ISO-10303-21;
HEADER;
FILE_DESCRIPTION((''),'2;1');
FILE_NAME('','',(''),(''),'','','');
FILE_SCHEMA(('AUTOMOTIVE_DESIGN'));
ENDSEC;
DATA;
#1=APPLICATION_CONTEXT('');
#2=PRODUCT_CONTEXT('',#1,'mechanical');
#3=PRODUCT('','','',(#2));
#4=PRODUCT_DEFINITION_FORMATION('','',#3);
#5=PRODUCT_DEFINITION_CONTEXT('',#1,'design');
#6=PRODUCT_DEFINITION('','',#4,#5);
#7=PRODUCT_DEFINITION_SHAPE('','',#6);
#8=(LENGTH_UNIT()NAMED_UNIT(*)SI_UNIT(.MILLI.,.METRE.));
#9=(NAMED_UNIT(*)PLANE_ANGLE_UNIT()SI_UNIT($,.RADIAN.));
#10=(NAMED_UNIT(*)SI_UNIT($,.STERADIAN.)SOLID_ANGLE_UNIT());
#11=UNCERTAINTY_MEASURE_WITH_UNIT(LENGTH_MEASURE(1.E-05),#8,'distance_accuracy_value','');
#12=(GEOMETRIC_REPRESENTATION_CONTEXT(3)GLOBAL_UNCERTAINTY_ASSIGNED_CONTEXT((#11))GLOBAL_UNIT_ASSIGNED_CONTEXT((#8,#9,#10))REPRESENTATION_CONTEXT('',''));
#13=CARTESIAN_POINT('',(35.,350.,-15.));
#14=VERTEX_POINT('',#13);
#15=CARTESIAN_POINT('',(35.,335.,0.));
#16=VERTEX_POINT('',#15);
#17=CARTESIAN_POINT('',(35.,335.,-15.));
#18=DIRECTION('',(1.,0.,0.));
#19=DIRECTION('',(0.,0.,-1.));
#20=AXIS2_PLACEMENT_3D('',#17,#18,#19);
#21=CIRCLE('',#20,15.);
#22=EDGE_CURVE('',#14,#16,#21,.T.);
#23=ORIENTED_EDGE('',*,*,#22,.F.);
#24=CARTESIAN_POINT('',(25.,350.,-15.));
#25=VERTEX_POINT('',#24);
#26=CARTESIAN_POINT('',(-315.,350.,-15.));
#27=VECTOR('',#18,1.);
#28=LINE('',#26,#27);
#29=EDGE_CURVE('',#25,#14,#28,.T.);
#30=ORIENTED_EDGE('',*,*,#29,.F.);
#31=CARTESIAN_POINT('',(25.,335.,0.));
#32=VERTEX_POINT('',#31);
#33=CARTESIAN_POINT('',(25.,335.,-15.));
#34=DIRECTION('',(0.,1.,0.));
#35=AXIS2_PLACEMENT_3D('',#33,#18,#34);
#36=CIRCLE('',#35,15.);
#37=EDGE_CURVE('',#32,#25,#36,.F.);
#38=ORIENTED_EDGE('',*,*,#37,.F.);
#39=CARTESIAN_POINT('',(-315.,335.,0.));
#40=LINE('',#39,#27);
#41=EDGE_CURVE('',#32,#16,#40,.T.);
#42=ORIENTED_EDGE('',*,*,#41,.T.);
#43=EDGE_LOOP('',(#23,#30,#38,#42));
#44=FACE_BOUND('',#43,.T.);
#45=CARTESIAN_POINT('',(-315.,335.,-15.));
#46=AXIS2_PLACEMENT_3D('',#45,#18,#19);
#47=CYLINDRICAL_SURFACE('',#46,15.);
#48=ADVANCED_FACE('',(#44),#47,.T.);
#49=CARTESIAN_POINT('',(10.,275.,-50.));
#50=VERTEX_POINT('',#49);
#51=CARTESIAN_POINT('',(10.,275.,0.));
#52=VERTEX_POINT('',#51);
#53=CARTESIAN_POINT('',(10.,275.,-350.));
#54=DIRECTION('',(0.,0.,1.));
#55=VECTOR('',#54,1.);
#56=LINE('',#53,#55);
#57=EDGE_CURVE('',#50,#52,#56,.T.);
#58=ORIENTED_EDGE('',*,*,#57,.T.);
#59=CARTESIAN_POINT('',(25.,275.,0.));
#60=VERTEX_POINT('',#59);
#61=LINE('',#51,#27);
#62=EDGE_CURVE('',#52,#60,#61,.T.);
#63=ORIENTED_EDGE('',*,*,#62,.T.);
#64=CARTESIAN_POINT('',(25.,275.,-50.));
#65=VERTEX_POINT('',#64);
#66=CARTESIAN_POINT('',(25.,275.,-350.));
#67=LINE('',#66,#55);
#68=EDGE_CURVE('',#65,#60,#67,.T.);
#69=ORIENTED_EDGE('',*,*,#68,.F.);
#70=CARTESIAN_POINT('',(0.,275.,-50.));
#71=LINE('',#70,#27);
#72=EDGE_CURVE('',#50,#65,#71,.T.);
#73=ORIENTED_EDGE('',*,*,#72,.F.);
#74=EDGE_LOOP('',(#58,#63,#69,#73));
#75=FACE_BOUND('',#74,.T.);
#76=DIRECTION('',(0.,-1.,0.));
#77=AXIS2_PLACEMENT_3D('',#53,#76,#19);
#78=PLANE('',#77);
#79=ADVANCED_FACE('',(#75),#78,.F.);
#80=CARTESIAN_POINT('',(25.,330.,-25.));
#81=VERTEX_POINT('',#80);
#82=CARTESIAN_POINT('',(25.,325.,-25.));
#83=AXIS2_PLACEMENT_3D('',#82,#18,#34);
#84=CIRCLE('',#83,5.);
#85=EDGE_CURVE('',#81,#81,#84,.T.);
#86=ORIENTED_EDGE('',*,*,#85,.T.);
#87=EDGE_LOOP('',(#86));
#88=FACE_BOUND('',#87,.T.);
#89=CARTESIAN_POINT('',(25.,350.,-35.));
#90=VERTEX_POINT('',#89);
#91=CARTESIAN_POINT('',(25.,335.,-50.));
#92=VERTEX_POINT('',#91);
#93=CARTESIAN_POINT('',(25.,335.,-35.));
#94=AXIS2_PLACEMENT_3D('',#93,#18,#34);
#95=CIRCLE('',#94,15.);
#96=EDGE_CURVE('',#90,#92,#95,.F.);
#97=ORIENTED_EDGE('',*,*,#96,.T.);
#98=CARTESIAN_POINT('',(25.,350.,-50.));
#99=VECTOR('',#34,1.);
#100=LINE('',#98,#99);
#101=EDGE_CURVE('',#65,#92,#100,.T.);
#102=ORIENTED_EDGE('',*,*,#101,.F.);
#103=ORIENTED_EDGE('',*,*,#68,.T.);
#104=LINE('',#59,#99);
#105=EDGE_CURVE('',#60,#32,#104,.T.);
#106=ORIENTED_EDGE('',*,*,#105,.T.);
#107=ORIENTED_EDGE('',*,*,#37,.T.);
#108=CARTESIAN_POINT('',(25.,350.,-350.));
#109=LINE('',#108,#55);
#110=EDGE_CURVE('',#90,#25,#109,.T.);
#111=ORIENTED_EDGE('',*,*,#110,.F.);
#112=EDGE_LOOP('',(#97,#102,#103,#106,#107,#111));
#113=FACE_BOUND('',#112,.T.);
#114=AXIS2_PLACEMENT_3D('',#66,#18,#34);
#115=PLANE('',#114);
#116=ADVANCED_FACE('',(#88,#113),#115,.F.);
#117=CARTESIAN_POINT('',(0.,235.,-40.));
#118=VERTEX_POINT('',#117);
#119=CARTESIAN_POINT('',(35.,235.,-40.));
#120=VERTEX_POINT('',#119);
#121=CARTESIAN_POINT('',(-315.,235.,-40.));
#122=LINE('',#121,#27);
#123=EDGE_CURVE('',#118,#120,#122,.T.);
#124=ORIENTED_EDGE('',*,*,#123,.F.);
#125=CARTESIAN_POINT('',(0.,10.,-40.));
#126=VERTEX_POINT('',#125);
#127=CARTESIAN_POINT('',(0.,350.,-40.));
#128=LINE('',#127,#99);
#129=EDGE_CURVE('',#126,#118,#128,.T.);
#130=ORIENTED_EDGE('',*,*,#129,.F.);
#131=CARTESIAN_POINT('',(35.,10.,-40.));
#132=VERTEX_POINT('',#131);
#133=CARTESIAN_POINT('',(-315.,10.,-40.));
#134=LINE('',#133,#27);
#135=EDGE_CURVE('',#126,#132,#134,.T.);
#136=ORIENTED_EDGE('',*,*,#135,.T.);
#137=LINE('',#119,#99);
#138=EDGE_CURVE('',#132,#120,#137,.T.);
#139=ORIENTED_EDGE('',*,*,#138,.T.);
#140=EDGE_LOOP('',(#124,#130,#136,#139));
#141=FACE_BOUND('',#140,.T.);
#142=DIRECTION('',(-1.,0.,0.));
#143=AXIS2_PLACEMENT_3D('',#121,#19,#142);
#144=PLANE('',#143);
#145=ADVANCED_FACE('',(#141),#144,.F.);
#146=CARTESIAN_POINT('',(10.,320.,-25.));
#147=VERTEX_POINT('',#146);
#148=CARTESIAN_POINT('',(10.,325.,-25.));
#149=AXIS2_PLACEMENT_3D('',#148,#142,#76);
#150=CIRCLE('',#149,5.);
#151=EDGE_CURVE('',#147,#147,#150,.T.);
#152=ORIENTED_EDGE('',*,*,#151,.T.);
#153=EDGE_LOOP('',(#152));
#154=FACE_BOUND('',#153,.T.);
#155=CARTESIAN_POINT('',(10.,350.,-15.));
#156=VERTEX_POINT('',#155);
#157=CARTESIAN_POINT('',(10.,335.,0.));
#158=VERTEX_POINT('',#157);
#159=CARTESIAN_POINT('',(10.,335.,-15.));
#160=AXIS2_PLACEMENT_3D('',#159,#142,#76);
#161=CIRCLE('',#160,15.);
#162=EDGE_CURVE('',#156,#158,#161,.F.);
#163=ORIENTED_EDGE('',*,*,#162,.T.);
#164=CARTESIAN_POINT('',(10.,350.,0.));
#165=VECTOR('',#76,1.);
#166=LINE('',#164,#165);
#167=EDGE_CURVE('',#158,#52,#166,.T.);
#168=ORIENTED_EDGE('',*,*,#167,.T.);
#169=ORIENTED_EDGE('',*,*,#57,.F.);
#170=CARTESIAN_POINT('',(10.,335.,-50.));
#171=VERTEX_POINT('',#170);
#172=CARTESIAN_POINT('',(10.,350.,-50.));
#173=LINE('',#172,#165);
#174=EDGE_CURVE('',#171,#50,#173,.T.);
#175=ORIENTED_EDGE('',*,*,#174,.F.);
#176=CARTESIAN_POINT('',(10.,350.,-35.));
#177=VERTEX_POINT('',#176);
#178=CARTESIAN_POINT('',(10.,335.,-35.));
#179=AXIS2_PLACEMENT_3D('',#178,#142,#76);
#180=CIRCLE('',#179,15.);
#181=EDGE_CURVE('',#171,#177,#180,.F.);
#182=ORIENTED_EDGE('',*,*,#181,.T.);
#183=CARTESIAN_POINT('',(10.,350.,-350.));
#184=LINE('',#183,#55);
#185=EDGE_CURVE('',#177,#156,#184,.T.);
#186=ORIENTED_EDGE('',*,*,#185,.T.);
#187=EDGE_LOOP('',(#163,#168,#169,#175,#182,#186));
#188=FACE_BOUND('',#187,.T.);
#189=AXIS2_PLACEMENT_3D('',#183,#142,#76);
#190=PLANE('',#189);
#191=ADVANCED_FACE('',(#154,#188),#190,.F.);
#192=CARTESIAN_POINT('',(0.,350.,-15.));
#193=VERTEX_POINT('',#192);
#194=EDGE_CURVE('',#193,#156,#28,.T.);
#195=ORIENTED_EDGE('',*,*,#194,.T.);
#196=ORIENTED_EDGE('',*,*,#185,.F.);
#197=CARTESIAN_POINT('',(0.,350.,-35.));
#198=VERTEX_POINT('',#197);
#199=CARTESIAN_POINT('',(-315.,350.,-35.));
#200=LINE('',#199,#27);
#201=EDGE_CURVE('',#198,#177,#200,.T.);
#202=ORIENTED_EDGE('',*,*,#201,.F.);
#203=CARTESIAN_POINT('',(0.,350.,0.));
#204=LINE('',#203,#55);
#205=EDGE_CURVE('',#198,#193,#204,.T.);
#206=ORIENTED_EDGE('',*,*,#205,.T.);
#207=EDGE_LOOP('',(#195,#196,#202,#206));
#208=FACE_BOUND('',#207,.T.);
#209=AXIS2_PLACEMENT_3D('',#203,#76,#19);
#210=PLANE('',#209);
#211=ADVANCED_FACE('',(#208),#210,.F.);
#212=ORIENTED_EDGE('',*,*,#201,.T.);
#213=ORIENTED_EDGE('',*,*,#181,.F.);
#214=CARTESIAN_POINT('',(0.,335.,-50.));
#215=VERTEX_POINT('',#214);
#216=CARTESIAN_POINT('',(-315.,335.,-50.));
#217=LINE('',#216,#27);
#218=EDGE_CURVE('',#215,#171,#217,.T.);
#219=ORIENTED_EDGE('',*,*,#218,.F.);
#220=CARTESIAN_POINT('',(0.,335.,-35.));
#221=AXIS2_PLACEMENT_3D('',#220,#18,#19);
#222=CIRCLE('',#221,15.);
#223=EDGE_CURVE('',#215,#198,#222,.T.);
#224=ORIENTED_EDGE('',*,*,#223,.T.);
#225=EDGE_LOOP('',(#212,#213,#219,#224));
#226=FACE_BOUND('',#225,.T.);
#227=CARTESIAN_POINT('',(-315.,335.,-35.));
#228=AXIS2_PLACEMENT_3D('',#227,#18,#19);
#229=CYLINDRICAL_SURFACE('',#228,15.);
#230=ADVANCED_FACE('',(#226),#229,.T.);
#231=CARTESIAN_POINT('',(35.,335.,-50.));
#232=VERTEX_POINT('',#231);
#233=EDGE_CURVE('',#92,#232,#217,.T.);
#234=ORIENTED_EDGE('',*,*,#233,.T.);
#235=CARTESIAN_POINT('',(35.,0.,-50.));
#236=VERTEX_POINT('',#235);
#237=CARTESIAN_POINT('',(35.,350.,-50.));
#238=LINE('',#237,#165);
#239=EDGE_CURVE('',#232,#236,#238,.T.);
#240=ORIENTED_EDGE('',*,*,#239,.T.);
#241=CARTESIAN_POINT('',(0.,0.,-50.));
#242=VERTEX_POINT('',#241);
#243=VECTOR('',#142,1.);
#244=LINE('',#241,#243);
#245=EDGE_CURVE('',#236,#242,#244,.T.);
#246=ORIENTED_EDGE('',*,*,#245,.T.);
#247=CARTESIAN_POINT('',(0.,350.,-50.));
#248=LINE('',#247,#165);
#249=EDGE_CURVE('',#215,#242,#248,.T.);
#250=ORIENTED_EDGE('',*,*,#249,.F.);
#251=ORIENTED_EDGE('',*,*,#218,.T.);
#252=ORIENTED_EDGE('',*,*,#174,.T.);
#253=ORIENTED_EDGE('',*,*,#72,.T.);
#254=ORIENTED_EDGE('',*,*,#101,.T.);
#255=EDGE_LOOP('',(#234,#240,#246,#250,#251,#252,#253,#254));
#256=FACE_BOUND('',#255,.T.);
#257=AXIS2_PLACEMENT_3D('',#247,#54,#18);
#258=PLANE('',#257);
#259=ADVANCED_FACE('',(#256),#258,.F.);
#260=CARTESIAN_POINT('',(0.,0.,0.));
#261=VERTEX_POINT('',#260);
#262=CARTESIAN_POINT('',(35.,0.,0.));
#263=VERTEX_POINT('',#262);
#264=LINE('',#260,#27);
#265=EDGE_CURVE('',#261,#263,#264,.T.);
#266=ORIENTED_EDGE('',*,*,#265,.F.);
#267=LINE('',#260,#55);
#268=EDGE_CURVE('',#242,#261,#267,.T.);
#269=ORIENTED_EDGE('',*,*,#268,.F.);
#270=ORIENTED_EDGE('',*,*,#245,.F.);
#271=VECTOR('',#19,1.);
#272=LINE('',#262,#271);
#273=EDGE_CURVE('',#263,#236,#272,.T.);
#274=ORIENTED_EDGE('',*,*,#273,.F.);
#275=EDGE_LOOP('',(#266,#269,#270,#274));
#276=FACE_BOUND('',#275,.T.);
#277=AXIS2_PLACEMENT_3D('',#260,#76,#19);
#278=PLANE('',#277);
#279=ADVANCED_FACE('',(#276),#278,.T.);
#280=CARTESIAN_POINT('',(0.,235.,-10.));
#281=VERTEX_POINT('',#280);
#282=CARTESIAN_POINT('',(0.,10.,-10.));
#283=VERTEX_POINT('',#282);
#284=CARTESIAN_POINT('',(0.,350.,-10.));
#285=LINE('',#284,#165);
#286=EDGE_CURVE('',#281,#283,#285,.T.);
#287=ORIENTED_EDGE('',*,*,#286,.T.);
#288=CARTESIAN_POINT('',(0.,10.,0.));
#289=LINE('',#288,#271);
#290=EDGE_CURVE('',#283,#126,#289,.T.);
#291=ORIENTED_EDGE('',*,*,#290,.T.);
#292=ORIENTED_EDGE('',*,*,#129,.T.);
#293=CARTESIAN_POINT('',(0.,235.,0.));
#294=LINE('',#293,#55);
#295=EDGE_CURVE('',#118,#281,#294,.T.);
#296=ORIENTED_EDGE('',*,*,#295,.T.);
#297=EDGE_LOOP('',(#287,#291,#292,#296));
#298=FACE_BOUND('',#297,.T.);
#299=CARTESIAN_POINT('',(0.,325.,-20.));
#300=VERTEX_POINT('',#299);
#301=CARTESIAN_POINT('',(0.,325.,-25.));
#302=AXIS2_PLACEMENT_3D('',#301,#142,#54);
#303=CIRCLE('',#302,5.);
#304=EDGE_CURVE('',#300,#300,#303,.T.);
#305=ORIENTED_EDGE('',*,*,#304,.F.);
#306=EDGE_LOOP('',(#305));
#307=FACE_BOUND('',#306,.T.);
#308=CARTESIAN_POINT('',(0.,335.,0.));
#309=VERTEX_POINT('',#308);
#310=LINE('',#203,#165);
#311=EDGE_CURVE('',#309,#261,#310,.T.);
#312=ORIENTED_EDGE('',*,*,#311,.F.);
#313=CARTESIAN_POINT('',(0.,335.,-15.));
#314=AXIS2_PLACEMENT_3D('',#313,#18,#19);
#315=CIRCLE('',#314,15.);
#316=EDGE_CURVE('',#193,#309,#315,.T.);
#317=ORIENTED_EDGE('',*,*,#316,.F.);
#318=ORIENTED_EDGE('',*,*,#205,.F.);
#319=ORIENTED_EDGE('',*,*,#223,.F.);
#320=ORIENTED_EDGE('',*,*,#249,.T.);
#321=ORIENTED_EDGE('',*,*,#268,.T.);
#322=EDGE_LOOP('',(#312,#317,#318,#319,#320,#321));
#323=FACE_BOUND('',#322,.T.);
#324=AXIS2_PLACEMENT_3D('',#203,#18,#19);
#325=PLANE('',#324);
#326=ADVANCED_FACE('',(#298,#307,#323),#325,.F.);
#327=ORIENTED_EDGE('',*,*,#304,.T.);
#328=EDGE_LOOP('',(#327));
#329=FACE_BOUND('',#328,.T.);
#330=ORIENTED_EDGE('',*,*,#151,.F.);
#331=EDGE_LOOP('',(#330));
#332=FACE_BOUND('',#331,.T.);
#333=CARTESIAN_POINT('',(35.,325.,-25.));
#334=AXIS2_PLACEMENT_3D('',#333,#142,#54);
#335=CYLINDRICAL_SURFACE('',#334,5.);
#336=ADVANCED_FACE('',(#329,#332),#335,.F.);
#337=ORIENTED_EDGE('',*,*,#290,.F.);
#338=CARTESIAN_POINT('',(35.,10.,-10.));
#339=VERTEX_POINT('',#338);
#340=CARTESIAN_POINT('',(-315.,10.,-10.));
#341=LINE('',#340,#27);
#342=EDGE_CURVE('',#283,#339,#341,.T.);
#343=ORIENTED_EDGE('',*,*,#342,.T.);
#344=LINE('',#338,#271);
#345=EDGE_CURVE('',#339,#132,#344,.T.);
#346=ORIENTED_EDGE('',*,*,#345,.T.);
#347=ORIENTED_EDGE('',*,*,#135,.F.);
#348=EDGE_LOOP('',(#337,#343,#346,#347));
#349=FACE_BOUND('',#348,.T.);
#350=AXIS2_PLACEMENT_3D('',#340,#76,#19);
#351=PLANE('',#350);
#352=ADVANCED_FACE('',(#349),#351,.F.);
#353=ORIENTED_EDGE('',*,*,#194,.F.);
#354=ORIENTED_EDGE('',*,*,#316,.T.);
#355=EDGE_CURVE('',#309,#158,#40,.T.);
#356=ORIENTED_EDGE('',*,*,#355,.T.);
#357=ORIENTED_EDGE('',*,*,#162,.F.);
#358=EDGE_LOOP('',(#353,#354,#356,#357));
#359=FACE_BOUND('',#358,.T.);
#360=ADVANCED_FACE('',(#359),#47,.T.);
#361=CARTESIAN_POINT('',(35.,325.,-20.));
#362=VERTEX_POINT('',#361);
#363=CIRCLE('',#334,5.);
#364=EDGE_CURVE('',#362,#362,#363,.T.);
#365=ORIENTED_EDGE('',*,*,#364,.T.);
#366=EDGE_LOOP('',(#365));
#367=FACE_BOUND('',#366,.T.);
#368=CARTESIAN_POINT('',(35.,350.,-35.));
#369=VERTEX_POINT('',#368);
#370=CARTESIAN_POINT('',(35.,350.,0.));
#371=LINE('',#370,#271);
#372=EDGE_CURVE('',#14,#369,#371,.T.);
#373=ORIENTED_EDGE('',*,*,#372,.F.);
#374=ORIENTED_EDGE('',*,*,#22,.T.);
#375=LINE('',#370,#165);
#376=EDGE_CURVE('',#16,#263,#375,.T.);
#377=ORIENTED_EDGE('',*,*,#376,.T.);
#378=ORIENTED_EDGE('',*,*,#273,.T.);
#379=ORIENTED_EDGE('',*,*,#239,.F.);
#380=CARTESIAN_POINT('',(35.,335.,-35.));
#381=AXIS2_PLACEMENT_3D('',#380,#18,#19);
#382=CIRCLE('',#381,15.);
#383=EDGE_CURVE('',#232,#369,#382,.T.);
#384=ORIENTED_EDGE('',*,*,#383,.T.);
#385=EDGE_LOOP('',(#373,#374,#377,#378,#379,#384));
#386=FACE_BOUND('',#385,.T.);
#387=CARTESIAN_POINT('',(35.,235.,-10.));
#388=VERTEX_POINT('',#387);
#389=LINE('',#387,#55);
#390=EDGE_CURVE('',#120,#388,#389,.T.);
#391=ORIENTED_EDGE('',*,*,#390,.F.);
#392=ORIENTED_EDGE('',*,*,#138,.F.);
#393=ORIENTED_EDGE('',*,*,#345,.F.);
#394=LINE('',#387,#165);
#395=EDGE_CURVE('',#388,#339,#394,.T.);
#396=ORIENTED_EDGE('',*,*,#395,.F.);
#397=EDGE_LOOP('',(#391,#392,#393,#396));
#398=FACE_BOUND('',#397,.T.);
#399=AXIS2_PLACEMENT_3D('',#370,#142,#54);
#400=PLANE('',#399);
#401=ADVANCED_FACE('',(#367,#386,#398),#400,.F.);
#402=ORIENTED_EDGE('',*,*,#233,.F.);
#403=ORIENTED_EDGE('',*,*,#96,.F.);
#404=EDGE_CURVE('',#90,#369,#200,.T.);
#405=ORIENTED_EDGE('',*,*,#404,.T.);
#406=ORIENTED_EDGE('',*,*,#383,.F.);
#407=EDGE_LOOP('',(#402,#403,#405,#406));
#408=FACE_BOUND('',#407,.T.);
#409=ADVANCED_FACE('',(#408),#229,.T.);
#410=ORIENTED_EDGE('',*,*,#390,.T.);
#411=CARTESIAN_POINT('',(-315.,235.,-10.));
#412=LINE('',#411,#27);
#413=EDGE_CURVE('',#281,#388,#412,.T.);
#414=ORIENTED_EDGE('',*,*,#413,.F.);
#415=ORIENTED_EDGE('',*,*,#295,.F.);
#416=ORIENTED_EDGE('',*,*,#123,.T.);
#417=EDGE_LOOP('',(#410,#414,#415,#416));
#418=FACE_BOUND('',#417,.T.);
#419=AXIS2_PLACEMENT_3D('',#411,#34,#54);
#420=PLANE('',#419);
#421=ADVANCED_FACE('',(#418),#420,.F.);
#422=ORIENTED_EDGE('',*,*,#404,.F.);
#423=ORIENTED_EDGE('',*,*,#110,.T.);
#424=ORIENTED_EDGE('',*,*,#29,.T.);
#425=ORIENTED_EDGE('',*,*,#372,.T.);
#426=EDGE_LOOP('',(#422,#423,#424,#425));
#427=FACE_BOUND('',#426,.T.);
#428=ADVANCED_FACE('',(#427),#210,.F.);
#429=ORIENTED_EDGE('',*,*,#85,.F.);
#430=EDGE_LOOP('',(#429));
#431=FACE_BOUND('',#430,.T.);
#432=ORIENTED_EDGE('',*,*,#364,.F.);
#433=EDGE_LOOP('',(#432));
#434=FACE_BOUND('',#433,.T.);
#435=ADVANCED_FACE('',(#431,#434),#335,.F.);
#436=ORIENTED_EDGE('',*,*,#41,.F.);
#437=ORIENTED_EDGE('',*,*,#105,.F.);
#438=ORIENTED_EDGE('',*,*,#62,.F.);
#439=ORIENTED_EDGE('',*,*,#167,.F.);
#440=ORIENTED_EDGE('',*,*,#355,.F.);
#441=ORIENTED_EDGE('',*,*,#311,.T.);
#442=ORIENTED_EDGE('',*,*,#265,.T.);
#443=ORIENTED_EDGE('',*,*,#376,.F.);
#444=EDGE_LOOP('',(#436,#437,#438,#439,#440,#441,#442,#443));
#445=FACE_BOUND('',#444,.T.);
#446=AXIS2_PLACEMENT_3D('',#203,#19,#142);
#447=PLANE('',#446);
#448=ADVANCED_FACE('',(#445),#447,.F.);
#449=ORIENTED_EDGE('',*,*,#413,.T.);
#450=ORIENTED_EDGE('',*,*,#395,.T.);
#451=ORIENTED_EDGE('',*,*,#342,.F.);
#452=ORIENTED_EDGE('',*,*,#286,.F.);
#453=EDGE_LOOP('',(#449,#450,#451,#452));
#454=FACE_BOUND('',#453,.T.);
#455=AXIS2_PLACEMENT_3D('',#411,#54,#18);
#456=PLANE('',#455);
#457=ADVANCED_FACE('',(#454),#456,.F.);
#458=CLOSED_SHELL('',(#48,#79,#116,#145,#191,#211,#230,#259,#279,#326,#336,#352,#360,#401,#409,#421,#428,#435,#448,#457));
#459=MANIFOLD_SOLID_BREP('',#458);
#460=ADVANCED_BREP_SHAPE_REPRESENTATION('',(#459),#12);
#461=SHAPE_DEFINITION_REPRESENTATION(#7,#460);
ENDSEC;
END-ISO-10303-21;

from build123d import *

# Parameters (mm, degrees)
SKETCH1_W           = 35
SKETCH1_H           = 50
BOSS_EXTRUDE1_DEPTH = 350
CUT_EXTRUDE1_DEPTH  = 350
SKETCH3_W           = 30
SKETCH3_H           = 225
CUT_EXTRUDE2_DEPTH  = 350
SKETCH4_W           = 15
SKETCH4_H           = 75
CUT_EXTRUDE3_DEPTH  = 350
SKETCH5_R           = 5
CUT_EXTRUDE4_DEPTH  = 356.28157847


with BuildPart() as part:
    # Sketch1 → Boss-Extrude1 (new body)
    with BuildSketch(Plane(origin=(0, 0, 0), x_dir=(1, 0, 0), z_dir=(0, 1, 0))):
        with Locations((17.5, 25)):
            Rectangle(SKETCH1_W, SKETCH1_H)
    extrude(amount=BOSS_EXTRUDE1_DEPTH)

    # Sketch2 → Cut-Extrude1 (cut)
    with BuildSketch(Plane(origin=(35, 0, 0), x_dir=(0, 0, -1), z_dir=(1, 0, 0))):
        with BuildLine():
            ThreePointArc((0, 335), (4.393398282, 345.606601718), (15, 350))
            Line((15, 350), (0, 350))
            Line((0, 350), (0, 335))
        make_face()
        with BuildLine():
            Line((50, 350), (35, 350))
            ThreePointArc((35, 350), (45.606601718, 345.606601718), (50, 335))
            Line((50, 335), (50, 350))
        make_face()
    extrude(amount=-CUT_EXTRUDE1_DEPTH, mode=Mode.SUBTRACT)

    # Sketch3 → Cut-Extrude2 (cut)
    with BuildSketch(Plane(origin=(35, 0, 0), x_dir=(0, 0, -1), z_dir=(1, 0, 0))):
        with Locations((25, 122.5)):
            Rectangle(SKETCH3_W, SKETCH3_H)
    extrude(amount=-CUT_EXTRUDE2_DEPTH, mode=Mode.SUBTRACT)

    # Sketch4 → Cut-Extrude3 (cut)
    with BuildSketch(Plane.XY):
        with Locations((17.5, 312.5)):
            Rectangle(SKETCH4_W, SKETCH4_H)
    extrude(amount=-CUT_EXTRUDE3_DEPTH, mode=Mode.SUBTRACT)

    # Sketch5 → Cut-Extrude4 (cut, through all)
    with BuildSketch(Plane.ZY):
        with Locations((-25, 325)):
            Circle(SKETCH5_R)
    extrude(amount=-CUT_EXTRUDE4_DEPTH, mode=Mode.SUBTRACT)


solid = part.part
